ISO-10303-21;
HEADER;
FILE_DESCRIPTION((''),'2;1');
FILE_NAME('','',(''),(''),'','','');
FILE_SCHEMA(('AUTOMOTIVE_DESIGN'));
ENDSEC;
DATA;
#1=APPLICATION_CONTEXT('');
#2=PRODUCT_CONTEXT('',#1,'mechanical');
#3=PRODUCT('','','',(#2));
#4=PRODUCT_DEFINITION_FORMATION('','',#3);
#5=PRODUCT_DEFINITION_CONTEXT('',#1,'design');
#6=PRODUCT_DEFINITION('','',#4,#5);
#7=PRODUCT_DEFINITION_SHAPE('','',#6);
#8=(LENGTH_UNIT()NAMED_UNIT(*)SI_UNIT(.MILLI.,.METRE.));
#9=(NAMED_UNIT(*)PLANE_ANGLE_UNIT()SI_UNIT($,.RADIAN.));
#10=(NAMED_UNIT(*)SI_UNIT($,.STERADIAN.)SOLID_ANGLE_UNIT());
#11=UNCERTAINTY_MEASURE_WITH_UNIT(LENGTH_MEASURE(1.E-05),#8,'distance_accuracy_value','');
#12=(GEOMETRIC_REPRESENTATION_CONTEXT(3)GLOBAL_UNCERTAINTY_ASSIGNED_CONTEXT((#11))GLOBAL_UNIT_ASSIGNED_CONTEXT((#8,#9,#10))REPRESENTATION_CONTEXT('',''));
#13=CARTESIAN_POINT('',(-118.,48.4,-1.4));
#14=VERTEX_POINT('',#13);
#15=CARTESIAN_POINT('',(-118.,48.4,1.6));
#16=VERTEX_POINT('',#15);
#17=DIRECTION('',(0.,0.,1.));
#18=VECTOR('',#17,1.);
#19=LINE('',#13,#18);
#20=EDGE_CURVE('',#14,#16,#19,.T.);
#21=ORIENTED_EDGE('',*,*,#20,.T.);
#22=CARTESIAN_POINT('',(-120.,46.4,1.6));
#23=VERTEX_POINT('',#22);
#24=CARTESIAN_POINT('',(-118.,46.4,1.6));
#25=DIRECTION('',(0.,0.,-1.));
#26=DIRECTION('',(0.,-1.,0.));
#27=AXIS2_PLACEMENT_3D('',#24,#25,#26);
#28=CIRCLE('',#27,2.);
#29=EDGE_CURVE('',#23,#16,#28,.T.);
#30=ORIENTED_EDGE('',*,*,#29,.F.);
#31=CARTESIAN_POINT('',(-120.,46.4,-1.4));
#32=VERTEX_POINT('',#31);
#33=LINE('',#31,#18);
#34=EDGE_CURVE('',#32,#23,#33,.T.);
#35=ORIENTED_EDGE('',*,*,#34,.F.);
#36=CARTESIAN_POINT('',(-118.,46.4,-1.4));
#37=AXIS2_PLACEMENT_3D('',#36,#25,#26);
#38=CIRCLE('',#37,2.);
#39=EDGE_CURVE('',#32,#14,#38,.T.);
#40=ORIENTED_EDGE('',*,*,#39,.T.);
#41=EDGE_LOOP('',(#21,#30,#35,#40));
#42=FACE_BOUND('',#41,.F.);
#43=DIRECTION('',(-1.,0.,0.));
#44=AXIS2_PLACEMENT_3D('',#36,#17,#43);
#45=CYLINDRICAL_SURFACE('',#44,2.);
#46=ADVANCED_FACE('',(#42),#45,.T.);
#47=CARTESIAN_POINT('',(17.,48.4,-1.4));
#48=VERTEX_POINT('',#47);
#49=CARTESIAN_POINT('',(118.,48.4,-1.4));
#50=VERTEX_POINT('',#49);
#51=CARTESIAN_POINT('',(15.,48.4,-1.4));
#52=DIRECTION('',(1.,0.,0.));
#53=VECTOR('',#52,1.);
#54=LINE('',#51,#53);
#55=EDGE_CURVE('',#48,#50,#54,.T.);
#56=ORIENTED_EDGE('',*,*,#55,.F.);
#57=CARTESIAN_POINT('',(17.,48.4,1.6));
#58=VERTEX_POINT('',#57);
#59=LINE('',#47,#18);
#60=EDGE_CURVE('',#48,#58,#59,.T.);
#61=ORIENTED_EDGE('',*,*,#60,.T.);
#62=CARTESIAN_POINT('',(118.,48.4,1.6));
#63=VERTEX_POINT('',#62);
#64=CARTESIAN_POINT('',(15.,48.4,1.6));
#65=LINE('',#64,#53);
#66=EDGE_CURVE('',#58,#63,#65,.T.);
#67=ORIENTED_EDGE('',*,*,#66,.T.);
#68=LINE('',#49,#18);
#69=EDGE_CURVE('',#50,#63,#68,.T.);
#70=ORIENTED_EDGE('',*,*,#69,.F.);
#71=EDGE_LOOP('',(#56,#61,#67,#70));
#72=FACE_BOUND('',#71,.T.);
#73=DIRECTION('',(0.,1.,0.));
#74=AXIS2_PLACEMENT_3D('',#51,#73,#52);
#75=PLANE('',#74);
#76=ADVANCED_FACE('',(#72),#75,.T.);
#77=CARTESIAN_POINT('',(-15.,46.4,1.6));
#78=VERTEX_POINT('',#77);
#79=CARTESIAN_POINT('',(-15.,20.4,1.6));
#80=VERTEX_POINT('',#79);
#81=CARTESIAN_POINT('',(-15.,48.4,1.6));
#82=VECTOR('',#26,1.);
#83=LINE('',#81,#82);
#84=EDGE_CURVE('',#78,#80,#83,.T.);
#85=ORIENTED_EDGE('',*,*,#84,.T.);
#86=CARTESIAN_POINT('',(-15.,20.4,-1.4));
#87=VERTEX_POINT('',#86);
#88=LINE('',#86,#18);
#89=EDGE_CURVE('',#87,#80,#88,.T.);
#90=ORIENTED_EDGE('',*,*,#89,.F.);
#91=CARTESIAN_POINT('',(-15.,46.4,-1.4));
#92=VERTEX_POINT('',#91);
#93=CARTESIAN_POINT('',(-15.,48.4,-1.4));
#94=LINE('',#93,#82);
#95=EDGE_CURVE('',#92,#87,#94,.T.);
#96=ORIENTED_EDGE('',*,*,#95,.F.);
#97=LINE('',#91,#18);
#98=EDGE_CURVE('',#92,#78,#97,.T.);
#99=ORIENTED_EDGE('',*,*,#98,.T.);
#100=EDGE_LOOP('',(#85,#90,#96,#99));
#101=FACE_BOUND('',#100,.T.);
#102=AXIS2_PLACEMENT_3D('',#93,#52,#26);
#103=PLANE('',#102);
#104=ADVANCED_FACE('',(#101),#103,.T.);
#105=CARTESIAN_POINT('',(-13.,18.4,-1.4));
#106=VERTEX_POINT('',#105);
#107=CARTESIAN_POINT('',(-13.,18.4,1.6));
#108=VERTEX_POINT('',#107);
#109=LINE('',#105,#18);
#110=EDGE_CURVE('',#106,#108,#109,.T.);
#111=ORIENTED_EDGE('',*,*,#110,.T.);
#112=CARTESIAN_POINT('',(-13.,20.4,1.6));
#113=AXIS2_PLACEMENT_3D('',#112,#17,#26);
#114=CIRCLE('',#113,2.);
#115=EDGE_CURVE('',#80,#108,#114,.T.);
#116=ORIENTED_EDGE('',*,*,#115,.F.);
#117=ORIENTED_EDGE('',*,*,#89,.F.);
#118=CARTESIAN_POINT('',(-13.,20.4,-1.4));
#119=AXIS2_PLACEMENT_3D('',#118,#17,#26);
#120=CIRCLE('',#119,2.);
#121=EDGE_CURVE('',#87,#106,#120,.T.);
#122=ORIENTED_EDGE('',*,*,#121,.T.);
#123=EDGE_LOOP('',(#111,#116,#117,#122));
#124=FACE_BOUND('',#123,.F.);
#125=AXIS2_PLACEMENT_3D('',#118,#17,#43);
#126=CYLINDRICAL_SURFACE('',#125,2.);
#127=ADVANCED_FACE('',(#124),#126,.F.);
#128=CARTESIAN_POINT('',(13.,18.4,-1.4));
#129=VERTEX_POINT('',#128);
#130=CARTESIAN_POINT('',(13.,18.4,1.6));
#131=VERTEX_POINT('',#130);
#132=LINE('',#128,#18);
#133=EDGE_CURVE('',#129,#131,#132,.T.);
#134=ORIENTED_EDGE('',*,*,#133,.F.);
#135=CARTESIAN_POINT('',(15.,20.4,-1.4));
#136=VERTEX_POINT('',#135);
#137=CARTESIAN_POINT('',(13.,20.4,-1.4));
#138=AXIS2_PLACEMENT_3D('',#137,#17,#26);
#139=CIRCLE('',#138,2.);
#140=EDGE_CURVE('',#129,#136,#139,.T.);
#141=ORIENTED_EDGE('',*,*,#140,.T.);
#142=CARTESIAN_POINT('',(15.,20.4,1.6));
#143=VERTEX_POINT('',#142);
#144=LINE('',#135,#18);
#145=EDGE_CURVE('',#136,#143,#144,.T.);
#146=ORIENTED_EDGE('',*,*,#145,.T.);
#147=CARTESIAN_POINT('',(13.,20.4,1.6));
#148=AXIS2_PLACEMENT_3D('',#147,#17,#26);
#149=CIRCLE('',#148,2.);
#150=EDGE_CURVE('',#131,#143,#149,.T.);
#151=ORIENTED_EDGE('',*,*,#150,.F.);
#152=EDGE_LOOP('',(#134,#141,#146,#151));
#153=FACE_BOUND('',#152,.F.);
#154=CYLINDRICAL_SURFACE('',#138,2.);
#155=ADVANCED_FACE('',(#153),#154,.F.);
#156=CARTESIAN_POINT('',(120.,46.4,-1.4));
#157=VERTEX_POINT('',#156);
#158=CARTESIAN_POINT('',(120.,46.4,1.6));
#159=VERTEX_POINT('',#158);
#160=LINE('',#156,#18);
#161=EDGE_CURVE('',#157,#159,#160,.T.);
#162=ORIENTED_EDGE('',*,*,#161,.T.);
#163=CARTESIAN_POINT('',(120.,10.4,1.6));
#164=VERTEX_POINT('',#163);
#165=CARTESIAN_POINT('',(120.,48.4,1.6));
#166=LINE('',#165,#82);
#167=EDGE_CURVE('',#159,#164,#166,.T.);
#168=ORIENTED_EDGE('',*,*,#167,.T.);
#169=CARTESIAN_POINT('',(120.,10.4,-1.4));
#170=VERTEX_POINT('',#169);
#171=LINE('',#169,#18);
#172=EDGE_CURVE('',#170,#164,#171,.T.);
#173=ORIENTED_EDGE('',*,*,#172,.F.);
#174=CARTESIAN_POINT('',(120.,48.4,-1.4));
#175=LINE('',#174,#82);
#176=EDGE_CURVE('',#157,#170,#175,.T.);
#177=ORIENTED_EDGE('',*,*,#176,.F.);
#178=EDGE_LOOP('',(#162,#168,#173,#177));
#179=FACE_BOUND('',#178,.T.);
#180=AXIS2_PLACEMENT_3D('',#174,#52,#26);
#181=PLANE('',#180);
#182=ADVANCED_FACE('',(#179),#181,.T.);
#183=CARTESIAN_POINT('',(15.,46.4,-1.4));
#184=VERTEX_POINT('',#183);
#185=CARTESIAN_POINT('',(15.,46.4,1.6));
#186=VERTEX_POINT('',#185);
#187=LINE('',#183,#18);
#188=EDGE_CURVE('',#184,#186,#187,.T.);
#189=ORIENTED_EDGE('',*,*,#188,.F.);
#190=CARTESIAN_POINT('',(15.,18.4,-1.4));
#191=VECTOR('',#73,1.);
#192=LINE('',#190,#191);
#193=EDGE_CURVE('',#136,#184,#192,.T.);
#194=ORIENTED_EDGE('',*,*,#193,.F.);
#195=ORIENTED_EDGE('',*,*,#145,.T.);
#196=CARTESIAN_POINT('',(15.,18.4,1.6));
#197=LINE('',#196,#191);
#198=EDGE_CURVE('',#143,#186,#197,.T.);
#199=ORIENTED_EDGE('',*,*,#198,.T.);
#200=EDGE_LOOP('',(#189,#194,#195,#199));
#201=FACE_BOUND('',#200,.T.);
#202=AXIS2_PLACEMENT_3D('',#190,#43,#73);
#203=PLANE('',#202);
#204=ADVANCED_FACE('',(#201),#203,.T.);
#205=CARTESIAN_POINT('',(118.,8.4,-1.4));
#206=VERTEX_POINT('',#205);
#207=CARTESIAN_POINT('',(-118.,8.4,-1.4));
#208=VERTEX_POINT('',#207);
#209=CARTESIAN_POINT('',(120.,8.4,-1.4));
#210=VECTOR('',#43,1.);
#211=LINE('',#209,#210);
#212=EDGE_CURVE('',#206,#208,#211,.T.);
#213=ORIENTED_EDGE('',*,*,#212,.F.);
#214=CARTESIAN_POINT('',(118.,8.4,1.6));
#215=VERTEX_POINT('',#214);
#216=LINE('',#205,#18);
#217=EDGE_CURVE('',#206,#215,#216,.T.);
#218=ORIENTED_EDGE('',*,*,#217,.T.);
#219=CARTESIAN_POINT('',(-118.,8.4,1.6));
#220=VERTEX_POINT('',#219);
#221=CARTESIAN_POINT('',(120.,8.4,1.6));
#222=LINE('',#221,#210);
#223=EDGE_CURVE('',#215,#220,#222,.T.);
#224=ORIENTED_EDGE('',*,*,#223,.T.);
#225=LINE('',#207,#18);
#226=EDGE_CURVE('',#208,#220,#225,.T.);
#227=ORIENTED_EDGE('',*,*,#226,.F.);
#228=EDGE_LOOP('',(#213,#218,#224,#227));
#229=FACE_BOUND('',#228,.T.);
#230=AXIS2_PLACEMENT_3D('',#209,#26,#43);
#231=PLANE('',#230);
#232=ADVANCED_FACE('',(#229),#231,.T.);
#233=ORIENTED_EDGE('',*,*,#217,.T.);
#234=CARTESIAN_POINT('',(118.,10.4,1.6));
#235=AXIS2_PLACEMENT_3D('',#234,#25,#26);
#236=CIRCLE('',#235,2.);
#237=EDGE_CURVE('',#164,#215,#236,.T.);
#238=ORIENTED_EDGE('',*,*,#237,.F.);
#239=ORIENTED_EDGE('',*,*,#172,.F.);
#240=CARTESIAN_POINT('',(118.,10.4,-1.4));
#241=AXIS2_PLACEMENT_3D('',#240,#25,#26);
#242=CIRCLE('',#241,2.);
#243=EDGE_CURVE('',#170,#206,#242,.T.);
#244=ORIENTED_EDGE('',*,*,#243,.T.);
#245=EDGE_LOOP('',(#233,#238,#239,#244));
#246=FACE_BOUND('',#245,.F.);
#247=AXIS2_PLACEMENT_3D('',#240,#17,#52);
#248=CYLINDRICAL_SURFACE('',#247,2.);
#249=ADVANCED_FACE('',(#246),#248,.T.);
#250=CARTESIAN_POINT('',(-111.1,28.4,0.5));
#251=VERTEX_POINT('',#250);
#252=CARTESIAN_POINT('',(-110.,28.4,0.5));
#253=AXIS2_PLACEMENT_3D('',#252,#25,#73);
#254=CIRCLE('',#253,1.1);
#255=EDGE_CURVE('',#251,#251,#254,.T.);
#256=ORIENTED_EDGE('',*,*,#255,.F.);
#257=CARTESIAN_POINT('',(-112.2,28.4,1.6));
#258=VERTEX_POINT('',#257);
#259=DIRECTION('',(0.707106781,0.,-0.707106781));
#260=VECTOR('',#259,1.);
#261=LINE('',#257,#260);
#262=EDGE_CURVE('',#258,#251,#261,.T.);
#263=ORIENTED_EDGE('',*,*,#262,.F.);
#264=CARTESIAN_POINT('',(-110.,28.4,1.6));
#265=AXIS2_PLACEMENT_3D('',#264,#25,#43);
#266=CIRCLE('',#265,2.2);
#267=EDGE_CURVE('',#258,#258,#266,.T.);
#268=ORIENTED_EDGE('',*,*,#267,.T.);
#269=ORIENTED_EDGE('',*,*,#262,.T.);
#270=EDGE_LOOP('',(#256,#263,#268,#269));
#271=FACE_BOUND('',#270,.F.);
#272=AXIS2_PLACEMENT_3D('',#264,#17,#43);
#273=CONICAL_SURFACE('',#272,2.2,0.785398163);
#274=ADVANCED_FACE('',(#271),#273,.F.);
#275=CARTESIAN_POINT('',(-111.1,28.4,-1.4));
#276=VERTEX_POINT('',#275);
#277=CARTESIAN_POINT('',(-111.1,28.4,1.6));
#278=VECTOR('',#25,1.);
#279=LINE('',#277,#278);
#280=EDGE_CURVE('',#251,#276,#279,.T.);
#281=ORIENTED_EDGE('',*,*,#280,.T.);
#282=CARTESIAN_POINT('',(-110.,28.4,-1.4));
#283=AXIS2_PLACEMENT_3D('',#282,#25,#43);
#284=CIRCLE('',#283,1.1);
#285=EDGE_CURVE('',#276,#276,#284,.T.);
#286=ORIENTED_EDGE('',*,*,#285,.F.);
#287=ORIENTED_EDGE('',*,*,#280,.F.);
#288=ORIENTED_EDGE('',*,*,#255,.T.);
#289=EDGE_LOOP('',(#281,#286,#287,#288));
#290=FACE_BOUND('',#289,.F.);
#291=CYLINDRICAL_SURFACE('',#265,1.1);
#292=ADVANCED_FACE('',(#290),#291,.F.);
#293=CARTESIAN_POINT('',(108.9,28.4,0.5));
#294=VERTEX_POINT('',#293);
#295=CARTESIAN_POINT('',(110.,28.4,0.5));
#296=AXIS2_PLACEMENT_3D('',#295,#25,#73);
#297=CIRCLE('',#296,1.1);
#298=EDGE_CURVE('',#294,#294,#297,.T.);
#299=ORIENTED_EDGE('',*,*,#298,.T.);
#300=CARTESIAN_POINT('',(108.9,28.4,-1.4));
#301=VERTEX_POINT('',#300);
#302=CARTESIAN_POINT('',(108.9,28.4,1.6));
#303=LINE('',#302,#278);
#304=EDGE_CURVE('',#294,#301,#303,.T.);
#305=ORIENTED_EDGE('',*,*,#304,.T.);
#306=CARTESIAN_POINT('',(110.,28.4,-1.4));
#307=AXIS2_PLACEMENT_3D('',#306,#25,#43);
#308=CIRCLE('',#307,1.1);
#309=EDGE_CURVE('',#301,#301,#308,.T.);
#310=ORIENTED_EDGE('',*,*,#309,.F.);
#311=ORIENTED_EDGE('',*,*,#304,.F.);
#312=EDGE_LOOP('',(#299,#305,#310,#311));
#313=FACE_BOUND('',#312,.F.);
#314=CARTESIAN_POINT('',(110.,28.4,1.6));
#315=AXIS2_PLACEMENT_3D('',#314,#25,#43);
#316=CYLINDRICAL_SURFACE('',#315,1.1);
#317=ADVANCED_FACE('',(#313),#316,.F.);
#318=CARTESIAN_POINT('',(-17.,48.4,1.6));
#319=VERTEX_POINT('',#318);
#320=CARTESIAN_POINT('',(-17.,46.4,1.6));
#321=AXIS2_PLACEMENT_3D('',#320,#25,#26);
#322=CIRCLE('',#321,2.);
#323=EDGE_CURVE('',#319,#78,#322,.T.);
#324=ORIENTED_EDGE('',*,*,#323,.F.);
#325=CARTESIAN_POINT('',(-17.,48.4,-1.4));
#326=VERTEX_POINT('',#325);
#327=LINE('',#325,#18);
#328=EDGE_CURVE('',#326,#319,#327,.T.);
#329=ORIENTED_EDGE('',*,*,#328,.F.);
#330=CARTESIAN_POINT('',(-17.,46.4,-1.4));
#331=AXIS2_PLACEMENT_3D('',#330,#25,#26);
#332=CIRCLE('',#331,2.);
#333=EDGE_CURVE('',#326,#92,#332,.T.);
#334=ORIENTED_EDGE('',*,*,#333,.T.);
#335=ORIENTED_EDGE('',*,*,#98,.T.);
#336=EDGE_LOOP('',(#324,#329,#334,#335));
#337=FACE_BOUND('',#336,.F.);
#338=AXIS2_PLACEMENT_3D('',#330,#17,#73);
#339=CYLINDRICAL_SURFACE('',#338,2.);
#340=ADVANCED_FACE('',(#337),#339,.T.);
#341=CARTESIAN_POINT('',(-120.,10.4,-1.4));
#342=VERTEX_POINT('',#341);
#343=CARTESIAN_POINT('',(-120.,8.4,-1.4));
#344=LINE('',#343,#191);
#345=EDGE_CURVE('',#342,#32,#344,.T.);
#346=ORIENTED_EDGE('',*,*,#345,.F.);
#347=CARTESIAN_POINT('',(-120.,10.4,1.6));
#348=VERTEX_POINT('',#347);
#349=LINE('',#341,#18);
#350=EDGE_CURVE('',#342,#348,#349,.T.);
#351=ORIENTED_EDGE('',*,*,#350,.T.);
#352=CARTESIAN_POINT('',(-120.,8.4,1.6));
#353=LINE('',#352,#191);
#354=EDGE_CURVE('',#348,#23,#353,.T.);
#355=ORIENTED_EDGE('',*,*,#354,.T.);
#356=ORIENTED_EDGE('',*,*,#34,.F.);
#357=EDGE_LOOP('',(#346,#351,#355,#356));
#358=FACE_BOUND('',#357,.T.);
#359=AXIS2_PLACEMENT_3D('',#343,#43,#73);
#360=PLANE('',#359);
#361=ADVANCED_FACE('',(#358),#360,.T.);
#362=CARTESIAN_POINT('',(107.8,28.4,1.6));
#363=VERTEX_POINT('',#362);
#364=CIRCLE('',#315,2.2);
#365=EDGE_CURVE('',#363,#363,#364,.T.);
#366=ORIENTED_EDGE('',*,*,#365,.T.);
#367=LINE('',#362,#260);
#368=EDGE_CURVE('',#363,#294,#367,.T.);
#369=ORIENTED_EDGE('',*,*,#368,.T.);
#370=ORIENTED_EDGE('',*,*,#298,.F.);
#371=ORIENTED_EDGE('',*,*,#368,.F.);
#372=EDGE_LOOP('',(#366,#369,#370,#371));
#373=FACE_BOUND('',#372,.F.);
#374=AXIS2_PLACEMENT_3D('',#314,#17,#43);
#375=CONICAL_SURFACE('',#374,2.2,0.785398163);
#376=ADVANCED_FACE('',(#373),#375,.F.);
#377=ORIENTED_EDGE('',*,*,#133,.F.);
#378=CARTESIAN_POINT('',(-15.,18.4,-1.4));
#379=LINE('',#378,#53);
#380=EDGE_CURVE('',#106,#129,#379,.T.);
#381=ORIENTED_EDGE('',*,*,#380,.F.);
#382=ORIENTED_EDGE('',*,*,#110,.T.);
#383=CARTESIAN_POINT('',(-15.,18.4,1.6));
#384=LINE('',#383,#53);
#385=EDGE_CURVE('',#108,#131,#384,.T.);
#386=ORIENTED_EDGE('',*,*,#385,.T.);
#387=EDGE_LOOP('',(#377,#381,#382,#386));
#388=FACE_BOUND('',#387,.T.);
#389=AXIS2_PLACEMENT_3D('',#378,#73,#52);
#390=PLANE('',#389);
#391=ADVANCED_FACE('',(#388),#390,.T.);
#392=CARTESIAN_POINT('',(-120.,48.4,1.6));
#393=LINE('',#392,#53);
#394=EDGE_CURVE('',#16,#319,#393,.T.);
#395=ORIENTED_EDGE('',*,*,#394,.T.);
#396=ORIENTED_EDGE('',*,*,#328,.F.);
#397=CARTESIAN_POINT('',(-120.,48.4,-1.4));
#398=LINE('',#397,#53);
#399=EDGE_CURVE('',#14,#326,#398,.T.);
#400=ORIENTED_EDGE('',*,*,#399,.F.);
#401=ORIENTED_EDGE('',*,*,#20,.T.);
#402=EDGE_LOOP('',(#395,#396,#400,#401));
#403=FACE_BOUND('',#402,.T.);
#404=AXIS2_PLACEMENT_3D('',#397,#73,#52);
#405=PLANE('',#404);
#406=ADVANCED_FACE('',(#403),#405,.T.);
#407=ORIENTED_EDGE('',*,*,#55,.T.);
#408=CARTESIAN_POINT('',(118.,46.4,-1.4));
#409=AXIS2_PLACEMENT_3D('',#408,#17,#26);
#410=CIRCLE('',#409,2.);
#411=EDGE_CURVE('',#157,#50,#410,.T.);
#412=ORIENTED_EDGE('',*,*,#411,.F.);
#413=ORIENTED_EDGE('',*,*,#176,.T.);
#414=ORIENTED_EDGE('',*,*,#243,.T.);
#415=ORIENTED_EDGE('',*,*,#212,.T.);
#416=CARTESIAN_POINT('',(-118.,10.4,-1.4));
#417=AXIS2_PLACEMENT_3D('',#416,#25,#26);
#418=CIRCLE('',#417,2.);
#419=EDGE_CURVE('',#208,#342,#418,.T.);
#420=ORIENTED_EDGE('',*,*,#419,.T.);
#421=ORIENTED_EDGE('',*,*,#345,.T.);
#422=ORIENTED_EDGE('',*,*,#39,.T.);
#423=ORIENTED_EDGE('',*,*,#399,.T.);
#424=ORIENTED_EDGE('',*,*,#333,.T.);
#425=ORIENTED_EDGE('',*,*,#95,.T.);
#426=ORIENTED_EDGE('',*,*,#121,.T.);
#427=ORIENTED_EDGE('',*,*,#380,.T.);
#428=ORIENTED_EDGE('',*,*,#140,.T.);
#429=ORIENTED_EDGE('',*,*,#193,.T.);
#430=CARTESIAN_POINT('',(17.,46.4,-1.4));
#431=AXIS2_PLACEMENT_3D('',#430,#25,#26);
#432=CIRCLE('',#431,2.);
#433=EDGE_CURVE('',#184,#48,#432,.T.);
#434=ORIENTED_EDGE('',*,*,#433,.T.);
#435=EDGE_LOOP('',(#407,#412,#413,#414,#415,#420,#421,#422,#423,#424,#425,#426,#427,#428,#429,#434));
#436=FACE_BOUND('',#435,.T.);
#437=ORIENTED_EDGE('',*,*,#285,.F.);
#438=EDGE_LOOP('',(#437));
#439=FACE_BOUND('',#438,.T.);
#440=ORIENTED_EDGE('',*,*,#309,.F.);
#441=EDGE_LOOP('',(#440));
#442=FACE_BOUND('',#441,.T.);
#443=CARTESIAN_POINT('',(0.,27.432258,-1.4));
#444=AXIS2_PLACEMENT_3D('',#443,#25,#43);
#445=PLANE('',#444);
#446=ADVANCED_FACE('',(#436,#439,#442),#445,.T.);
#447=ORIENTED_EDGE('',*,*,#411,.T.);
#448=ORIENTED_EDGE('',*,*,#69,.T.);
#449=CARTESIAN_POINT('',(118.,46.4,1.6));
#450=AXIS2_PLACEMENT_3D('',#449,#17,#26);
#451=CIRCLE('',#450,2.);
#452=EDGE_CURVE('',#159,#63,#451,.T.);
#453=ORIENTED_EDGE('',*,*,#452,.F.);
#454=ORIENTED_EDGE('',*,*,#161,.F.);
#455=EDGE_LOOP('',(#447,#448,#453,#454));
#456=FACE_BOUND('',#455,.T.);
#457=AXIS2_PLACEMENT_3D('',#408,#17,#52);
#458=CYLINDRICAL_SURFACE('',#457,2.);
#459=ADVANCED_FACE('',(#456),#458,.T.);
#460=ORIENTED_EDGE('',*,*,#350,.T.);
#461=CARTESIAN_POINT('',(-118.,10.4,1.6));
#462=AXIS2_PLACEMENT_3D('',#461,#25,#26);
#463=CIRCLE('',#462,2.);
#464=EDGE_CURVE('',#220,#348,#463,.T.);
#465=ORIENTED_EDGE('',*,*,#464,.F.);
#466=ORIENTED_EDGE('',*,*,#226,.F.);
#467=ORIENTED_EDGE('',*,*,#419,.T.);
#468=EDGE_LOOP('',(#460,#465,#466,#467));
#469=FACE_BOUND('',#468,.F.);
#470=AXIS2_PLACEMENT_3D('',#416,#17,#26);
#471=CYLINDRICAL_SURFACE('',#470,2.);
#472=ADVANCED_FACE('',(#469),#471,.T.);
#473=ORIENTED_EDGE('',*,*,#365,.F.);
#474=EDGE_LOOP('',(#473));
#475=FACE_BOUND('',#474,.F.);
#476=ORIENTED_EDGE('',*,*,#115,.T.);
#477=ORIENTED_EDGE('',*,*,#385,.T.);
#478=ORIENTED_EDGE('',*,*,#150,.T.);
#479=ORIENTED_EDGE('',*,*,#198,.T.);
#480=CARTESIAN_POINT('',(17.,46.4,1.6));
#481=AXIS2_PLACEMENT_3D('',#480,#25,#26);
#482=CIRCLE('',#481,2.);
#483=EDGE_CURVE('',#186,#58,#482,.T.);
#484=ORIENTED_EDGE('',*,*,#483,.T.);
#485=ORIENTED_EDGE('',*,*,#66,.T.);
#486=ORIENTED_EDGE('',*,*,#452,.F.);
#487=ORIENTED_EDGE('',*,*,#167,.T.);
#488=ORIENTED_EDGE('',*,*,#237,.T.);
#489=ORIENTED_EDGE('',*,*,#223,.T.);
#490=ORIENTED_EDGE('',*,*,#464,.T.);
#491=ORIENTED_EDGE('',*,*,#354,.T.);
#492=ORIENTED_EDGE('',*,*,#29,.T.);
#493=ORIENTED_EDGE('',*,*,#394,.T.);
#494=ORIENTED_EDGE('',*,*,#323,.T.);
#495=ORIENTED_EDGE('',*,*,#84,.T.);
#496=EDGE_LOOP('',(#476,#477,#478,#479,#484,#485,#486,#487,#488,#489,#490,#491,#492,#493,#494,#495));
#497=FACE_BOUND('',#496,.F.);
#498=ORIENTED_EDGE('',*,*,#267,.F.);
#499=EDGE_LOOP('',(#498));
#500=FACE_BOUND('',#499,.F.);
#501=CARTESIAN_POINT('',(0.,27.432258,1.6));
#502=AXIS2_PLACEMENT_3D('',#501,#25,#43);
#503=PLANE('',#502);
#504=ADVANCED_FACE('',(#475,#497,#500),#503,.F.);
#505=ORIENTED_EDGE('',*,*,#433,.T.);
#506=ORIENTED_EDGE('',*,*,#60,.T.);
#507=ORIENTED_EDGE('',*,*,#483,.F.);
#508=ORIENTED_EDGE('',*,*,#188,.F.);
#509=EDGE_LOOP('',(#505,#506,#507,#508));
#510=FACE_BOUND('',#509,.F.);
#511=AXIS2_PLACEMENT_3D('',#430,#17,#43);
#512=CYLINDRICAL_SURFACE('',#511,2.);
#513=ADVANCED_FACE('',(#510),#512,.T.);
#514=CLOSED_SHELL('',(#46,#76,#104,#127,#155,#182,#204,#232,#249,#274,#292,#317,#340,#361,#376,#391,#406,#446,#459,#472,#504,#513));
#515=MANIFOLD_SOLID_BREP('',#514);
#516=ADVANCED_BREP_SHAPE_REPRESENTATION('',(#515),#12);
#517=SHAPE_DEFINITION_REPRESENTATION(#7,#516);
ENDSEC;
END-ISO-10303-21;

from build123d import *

# Parameters (mm, degrees)
PAD004_DEPTH        = 3
FILLET009_R         = 2
HOLE002_D           = 2.2
HOLE002_DEPTH       = 20
HOLE002_CSINK_D     = 4.4
HOLE002_CSINK_ANGLE = 90


with BuildPart() as part:
    # Sketch016 → Pad004 (new body)
    with BuildSketch(Plane.XY.offset(-1.4)):
        Polygon((120, 48.4), (120, 8.4), (-120, 8.4), (-120, 48.4), (-15, 48.4), (-15, 18.4), (15, 18.4), (15, 48.4), align=None)
    extrude(amount=PAD004_DEPTH)

    # Fillet009
    fillet009_edges = [part.edges().sort_by_distance(p)[0] for p in [
        (-120, 48.4, 0.1),
        (-120, 8.4, 0.1),
        (120, 8.4, 0.1),
        (120, 48.4, 0.1),
        (15, 48.4, 0.1),
        (-15, 48.4, 0.1),
        (-15, 18.4, 0.1),
        (15, 18.4, 0.1),
    ]]
    fillet(fillet009_edges, radius=FILLET009_R)

    # Hole002
    with Locations(Plane.XY.offset(1.6)):
        with Locations((-110, 28.4), (110, 28.4)):
            CounterSinkHole(HOLE002_D / 2, HOLE002_CSINK_D / 2, depth=HOLE002_DEPTH, counter_sink_angle=HOLE002_CSINK_ANGLE)


solid = part.part
